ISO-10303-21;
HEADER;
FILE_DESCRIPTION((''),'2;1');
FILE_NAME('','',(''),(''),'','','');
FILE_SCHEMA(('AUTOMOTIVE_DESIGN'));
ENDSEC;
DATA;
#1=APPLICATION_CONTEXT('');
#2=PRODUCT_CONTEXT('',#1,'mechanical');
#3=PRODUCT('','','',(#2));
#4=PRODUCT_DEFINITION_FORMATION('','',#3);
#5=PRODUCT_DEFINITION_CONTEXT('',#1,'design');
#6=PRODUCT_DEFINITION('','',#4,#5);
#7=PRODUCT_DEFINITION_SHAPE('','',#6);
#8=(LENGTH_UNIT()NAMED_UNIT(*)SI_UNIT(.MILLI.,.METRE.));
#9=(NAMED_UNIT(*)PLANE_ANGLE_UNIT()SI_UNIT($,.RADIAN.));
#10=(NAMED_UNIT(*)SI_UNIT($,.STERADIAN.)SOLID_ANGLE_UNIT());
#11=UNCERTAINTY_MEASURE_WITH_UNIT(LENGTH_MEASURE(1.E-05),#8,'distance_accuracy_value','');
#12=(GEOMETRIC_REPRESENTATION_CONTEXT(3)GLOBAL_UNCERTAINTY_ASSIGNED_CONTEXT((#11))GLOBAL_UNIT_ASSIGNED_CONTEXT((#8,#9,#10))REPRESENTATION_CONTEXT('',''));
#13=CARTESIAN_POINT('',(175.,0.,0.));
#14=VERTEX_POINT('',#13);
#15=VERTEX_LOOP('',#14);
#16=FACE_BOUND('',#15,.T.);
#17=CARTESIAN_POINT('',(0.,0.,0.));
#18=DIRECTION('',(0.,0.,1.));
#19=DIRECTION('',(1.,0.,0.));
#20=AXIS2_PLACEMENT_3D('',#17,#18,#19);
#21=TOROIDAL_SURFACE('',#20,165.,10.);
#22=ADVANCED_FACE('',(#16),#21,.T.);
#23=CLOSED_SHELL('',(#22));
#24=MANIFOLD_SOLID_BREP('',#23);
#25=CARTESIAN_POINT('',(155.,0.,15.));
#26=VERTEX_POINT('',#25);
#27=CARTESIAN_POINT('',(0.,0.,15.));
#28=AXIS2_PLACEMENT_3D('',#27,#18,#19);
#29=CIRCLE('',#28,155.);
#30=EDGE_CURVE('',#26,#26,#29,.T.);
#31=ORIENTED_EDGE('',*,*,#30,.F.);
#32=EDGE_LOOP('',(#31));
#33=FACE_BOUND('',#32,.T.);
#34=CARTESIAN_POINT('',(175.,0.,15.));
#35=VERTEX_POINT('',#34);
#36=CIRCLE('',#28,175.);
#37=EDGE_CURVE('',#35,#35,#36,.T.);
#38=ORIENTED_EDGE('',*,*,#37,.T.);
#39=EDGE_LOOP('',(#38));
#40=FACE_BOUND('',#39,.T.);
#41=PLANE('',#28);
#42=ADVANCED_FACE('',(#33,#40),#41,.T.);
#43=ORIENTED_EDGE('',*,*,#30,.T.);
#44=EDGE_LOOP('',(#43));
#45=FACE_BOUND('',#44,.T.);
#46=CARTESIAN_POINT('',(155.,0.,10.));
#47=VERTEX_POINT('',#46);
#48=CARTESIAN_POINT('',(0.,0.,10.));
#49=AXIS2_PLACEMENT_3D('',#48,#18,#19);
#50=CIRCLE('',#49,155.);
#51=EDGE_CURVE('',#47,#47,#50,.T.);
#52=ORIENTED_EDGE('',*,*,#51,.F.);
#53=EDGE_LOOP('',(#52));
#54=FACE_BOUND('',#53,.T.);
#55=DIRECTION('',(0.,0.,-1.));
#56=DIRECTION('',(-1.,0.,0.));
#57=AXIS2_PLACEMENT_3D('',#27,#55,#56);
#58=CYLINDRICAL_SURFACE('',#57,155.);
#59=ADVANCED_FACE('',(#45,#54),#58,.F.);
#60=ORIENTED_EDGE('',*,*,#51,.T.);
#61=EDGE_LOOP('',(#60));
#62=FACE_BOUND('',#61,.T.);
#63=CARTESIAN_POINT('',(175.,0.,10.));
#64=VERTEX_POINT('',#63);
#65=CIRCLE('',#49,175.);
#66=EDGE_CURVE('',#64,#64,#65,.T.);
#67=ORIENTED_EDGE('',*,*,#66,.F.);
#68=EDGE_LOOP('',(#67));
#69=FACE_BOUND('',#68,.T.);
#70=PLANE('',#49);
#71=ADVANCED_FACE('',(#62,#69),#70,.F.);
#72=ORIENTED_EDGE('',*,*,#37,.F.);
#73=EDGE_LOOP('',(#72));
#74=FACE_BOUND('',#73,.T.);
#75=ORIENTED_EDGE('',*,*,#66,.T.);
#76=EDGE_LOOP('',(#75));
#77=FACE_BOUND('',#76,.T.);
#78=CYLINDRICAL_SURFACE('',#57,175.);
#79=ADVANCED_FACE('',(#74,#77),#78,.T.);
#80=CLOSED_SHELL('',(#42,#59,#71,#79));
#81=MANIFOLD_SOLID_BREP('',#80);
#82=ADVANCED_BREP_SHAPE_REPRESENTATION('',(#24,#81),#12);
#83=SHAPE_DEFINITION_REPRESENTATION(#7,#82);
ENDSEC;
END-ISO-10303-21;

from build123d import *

# Parameters (mm, degrees)
SKETCH3_R           = 10
SKETCH5_R           = 175
SKETCH5_R_2         = 155
BOSS_EXTRUDE1_DEPTH = 5


with BuildPart() as part:
    # Sketch3 → Revolve1 (revolve)
    with BuildSketch(Plane(origin=(0, 0, 0), x_dir=(0, 0, -1), z_dir=(1, 0, 0))):
        with Locations((0, 165)):
            Circle(SKETCH3_R)
    revolve(axis=Axis((0, 0, 0), (0, 0, -1)))


with BuildPart() as body_2:
    # Sketch5 → Boss-Extrude1 (new body)
    with BuildSketch(Plane.XY.offset(10)):
        Circle(SKETCH5_R)
        Circle(SKETCH5_R_2, mode=Mode.SUBTRACT)
    extrude(amount=BOSS_EXTRUDE1_DEPTH)


solid = Compound([part.part, body_2.part])
